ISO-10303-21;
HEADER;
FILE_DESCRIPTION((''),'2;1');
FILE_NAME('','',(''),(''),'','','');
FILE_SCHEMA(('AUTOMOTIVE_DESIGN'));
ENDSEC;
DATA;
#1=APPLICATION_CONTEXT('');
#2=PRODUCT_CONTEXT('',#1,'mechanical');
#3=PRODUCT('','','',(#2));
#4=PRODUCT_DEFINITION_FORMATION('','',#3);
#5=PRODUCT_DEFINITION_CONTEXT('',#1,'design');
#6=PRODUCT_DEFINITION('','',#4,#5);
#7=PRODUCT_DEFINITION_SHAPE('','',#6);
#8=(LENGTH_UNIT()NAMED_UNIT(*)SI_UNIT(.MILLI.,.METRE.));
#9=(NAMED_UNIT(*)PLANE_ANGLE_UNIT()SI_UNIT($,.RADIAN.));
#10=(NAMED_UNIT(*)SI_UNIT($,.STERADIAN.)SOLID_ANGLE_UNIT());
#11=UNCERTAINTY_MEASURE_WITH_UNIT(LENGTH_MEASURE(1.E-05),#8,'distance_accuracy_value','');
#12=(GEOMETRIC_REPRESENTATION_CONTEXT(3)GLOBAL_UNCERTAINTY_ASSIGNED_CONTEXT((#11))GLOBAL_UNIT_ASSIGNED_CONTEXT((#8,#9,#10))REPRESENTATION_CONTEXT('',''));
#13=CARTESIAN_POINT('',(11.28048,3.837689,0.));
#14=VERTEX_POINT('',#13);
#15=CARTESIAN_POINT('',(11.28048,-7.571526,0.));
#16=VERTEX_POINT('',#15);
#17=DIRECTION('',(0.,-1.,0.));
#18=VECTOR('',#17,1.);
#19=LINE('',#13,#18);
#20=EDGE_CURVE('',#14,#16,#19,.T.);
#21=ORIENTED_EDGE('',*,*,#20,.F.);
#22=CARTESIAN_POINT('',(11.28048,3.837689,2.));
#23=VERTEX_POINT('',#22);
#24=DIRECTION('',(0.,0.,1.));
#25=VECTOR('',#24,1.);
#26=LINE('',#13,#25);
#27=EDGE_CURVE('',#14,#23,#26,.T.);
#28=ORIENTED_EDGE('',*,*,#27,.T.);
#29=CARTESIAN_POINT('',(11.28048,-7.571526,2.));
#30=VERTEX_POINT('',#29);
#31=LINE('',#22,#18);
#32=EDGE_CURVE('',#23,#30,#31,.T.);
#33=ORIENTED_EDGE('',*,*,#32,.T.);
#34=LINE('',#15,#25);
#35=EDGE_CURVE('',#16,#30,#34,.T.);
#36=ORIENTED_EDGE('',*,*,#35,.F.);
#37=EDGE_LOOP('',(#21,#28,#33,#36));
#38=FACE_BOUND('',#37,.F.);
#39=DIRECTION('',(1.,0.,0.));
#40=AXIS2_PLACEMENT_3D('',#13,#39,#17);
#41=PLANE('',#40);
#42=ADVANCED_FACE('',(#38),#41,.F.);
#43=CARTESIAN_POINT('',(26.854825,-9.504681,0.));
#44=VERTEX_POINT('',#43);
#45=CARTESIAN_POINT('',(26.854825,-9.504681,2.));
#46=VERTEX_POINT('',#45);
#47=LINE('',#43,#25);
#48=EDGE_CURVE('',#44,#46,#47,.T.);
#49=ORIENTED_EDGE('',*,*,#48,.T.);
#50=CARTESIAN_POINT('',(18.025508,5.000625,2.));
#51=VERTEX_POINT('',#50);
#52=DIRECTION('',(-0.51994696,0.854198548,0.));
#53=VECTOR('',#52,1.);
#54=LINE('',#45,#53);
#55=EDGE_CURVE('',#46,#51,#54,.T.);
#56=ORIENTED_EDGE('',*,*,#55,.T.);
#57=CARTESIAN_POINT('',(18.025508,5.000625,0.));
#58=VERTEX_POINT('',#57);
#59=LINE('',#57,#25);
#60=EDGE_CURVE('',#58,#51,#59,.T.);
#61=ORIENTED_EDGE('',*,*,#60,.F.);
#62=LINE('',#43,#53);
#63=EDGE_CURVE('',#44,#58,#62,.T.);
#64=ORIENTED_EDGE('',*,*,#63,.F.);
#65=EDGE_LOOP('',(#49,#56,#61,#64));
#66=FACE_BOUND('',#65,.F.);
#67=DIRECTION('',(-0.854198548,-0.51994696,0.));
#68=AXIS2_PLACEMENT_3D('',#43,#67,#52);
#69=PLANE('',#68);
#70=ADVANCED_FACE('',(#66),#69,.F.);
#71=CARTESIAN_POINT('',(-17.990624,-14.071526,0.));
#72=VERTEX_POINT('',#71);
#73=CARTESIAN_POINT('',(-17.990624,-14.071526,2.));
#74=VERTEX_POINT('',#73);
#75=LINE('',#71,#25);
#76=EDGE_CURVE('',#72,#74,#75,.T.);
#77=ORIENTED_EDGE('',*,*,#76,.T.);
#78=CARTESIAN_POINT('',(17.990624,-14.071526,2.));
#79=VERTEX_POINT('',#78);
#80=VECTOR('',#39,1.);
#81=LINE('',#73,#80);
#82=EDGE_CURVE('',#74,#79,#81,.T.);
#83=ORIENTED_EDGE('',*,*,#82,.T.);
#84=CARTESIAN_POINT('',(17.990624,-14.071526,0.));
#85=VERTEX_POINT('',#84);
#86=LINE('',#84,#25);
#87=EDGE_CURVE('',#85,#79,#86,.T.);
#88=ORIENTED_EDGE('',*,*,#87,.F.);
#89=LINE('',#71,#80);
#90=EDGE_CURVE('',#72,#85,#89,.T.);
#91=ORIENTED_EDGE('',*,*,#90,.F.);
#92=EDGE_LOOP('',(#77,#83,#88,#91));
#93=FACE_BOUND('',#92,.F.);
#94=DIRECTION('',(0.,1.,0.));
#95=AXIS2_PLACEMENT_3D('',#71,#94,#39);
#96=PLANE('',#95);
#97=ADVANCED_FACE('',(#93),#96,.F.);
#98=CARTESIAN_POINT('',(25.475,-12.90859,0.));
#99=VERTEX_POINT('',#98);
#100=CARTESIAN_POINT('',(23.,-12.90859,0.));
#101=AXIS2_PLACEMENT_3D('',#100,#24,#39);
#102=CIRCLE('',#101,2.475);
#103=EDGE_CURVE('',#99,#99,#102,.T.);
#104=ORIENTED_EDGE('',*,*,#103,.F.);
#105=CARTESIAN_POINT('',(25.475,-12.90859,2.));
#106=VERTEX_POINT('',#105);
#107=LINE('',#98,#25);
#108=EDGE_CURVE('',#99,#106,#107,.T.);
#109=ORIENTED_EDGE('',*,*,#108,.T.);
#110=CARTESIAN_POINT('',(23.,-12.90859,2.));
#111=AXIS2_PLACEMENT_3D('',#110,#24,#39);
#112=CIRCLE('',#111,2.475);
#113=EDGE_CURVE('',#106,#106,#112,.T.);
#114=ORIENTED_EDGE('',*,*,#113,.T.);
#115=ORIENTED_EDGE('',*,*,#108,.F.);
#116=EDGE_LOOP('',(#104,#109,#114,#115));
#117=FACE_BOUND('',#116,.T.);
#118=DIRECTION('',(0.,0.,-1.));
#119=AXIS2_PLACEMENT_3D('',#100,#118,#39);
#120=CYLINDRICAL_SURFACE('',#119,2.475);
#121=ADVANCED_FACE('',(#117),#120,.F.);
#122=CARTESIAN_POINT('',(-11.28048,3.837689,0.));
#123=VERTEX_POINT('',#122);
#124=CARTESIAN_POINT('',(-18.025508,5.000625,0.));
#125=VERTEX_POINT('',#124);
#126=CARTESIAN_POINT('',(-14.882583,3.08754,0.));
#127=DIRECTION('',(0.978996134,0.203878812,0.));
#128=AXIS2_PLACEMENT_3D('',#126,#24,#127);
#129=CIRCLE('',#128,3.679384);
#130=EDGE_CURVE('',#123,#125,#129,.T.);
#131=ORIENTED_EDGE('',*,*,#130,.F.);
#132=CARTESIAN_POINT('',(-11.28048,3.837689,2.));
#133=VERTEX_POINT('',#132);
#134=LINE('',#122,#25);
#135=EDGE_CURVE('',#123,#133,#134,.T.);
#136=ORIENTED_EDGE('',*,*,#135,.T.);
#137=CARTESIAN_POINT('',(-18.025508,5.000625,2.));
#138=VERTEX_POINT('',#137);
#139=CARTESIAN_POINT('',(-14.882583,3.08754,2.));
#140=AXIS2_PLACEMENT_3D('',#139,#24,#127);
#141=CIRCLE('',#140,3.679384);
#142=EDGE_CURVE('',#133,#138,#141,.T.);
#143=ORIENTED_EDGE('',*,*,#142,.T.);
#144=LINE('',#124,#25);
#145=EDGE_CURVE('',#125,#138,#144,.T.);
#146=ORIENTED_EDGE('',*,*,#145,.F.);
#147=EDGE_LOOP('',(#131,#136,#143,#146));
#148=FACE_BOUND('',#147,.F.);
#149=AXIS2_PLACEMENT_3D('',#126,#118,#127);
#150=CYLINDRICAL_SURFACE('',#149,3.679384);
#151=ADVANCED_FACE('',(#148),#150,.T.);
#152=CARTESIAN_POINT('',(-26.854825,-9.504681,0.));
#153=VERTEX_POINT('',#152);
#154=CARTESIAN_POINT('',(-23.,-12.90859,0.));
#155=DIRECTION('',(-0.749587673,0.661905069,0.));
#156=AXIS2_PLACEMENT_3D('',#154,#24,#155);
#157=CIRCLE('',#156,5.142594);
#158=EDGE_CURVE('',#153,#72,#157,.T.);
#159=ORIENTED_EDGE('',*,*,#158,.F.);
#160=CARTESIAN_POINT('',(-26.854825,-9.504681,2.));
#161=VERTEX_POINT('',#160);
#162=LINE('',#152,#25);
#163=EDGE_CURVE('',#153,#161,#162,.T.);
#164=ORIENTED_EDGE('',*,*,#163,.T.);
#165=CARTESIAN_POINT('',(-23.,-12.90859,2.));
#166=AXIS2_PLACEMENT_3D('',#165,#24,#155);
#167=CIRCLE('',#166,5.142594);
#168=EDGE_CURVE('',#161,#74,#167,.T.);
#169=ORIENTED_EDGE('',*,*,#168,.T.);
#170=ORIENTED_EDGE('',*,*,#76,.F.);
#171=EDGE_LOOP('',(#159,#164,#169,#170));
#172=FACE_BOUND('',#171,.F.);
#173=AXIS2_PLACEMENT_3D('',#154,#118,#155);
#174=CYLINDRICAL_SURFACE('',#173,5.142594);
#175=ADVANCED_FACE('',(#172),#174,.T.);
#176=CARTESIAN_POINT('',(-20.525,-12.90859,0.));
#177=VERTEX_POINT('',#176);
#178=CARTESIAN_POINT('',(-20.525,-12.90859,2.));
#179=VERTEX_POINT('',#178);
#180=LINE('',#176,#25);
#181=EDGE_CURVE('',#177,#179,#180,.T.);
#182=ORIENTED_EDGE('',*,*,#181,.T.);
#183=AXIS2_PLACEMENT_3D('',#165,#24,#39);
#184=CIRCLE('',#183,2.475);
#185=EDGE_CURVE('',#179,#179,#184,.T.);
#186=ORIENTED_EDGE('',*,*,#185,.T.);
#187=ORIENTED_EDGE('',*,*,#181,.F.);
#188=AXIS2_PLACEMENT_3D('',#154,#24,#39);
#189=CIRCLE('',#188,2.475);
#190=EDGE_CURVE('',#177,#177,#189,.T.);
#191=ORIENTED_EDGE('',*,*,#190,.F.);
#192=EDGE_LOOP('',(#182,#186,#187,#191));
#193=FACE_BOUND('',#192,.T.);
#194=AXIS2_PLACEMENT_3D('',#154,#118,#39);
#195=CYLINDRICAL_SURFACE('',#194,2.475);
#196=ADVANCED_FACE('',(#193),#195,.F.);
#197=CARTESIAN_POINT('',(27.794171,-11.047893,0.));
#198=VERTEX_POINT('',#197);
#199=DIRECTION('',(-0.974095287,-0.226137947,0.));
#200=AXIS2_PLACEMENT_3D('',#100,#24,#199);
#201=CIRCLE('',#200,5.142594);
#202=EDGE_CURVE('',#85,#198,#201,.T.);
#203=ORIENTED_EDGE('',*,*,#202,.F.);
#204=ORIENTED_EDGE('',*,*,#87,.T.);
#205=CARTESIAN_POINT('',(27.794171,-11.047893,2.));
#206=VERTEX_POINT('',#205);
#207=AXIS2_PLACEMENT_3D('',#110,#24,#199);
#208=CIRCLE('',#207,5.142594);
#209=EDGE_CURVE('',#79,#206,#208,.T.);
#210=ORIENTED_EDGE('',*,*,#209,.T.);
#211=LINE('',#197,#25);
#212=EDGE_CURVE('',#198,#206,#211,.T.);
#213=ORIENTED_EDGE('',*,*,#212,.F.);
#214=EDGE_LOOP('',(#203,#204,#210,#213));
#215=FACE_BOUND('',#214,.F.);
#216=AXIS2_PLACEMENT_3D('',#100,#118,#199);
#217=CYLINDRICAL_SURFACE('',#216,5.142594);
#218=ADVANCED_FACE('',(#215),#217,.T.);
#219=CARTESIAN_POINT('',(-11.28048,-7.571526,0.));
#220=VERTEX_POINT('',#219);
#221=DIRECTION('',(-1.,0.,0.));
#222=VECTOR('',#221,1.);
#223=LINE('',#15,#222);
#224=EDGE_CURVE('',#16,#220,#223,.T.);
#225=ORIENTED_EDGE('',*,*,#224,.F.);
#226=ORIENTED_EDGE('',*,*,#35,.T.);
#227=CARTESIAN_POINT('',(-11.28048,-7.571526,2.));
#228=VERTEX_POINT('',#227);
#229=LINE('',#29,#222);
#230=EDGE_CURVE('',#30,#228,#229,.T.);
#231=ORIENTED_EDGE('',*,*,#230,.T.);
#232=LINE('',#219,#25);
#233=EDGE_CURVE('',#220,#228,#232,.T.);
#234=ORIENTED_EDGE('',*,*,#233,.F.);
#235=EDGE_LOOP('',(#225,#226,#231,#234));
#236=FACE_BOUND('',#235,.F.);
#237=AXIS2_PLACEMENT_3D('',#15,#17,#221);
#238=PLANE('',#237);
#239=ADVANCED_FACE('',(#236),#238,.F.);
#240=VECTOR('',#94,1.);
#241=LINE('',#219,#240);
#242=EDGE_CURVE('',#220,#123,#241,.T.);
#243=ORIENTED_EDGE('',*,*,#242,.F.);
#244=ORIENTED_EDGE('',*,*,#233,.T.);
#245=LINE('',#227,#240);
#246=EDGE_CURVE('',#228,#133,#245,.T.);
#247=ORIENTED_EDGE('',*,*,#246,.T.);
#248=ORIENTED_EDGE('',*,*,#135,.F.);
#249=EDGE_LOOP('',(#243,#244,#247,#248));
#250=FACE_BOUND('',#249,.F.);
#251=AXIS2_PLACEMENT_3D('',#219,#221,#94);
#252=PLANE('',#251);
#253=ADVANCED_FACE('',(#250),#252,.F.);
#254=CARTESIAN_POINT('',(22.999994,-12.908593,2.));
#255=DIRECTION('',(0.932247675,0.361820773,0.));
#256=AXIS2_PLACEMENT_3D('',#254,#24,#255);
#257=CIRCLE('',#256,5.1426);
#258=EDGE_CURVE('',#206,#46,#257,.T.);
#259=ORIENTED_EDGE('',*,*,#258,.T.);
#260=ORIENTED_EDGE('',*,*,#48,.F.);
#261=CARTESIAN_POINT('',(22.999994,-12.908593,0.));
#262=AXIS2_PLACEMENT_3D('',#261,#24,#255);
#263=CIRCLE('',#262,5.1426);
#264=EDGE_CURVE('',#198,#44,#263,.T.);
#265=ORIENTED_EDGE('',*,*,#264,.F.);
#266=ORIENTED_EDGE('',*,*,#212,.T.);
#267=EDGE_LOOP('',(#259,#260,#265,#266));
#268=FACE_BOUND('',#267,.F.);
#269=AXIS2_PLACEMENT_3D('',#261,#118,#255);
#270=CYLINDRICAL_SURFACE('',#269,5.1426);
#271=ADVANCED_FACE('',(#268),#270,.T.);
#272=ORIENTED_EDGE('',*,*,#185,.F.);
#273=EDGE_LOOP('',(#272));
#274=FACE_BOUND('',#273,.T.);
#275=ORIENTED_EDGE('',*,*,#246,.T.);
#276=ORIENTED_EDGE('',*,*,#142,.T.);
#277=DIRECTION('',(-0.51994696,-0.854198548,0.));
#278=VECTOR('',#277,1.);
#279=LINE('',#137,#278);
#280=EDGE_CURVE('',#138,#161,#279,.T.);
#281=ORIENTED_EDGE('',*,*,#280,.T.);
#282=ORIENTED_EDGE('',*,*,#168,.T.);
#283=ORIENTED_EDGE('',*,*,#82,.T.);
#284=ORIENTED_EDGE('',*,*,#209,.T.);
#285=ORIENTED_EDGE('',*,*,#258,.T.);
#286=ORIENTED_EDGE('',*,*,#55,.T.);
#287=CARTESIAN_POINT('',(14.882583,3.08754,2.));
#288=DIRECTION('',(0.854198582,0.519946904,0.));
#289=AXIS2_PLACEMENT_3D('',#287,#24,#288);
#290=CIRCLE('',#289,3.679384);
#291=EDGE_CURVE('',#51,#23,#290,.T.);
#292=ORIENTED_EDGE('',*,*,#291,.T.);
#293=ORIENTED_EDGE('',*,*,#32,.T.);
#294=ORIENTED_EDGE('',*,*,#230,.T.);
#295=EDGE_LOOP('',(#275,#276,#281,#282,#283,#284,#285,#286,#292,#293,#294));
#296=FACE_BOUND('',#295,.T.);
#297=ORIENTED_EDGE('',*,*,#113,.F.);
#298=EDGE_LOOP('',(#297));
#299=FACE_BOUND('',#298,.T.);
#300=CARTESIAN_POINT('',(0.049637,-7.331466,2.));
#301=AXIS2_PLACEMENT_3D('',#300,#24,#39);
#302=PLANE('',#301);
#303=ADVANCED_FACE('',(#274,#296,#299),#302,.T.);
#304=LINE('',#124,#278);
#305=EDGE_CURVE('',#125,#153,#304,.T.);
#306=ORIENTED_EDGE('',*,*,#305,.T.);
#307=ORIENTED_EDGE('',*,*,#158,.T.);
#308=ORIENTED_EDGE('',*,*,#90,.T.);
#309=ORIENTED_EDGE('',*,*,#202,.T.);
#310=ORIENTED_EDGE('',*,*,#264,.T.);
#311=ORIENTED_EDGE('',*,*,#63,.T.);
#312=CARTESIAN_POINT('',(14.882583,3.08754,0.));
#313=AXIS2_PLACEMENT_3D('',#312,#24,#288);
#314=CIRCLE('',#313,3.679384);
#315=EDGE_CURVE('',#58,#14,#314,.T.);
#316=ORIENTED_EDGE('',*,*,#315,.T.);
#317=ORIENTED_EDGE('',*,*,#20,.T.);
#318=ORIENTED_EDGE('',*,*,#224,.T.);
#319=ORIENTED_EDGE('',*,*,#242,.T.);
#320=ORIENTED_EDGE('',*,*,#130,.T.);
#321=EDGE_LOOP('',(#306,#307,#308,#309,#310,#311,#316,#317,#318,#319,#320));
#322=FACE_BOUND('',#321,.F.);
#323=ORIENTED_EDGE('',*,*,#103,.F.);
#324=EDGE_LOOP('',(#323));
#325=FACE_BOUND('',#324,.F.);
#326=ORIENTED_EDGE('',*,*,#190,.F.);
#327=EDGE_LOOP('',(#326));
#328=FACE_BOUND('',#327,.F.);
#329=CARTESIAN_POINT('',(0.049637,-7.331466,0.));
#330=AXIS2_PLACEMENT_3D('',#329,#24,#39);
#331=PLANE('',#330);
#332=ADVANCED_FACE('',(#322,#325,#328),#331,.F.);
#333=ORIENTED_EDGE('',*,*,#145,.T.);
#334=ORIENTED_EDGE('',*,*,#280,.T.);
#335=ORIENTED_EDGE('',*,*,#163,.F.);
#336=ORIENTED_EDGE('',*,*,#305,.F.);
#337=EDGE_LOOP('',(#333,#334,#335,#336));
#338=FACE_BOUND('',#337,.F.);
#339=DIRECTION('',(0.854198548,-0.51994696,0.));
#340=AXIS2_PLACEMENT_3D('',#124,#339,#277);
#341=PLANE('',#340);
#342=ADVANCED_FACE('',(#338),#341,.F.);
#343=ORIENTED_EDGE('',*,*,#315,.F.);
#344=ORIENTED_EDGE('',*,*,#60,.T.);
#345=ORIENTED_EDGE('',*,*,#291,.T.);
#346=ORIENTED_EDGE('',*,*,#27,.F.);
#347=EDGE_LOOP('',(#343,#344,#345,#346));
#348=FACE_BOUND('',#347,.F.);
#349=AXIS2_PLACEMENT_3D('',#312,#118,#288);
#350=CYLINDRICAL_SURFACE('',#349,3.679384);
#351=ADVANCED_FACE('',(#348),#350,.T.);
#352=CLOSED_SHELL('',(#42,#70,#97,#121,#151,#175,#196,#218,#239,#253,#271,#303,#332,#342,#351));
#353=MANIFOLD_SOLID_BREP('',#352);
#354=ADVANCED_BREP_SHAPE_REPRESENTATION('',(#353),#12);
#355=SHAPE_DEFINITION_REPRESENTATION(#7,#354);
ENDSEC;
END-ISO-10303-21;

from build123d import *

# Parameters (mm, degrees)
F0_R     = 2.475
F1_DEPTH = 2


with BuildPart() as f1:
    # F0 (on Top) → F1 (new body)
    with BuildSketch(Plane.XY):
        with BuildLine():
            ThreePointArc((-11.28048, 3.837689), (-14.25743, 6.713427), (-18.025508, 5.000625))
            Line((-18.025508, 5.000625), (-26.854825, -9.504681))
            ThreePointArc((-26.854825, -9.504681), (-25.355263, -17.480133), (-17.990624, -14.071526))
            Line((-17.990624, -14.071526), (0, -14.071526))
            Line((0, -14.071526), (17.990624, -14.071526))
            ThreePointArc((17.990624, -14.071526), (24.515641, -17.822764), (27.794171, -11.047893))
            Line((27.794171, -11.047893), (26.854825, -9.504681))
            Line((26.854825, -9.504681), (18.025508, 5.000625))
            ThreePointArc((18.025508, 5.000625), (14.25743, 6.713427), (11.28048, 3.837689))
            Line((11.28048, 3.837689), (11.28048, -7.571526))
            Line((11.28048, -7.571526), (0, -7.571526))
            Line((0, -7.571526), (-11.28048, -7.571526))
            Line((-11.28048, -7.571526), (-11.28048, 3.837689))
        make_face()
        with Locations((-23, -12.90859)):
            Circle(F0_R, mode=Mode.SUBTRACT)
        with Locations((23, -12.90859)):
            Circle(F0_R, mode=Mode.SUBTRACT)
        with BuildLine():
            Line((26.854825, -9.504681), (27.794171, -11.047893))
            ThreePointArc((27.794171, -11.047893), (27.392796, -10.234714), (26.854825, -9.504681))
        make_face()
    extrude(amount=F1_DEPTH)


solid = f1.part
